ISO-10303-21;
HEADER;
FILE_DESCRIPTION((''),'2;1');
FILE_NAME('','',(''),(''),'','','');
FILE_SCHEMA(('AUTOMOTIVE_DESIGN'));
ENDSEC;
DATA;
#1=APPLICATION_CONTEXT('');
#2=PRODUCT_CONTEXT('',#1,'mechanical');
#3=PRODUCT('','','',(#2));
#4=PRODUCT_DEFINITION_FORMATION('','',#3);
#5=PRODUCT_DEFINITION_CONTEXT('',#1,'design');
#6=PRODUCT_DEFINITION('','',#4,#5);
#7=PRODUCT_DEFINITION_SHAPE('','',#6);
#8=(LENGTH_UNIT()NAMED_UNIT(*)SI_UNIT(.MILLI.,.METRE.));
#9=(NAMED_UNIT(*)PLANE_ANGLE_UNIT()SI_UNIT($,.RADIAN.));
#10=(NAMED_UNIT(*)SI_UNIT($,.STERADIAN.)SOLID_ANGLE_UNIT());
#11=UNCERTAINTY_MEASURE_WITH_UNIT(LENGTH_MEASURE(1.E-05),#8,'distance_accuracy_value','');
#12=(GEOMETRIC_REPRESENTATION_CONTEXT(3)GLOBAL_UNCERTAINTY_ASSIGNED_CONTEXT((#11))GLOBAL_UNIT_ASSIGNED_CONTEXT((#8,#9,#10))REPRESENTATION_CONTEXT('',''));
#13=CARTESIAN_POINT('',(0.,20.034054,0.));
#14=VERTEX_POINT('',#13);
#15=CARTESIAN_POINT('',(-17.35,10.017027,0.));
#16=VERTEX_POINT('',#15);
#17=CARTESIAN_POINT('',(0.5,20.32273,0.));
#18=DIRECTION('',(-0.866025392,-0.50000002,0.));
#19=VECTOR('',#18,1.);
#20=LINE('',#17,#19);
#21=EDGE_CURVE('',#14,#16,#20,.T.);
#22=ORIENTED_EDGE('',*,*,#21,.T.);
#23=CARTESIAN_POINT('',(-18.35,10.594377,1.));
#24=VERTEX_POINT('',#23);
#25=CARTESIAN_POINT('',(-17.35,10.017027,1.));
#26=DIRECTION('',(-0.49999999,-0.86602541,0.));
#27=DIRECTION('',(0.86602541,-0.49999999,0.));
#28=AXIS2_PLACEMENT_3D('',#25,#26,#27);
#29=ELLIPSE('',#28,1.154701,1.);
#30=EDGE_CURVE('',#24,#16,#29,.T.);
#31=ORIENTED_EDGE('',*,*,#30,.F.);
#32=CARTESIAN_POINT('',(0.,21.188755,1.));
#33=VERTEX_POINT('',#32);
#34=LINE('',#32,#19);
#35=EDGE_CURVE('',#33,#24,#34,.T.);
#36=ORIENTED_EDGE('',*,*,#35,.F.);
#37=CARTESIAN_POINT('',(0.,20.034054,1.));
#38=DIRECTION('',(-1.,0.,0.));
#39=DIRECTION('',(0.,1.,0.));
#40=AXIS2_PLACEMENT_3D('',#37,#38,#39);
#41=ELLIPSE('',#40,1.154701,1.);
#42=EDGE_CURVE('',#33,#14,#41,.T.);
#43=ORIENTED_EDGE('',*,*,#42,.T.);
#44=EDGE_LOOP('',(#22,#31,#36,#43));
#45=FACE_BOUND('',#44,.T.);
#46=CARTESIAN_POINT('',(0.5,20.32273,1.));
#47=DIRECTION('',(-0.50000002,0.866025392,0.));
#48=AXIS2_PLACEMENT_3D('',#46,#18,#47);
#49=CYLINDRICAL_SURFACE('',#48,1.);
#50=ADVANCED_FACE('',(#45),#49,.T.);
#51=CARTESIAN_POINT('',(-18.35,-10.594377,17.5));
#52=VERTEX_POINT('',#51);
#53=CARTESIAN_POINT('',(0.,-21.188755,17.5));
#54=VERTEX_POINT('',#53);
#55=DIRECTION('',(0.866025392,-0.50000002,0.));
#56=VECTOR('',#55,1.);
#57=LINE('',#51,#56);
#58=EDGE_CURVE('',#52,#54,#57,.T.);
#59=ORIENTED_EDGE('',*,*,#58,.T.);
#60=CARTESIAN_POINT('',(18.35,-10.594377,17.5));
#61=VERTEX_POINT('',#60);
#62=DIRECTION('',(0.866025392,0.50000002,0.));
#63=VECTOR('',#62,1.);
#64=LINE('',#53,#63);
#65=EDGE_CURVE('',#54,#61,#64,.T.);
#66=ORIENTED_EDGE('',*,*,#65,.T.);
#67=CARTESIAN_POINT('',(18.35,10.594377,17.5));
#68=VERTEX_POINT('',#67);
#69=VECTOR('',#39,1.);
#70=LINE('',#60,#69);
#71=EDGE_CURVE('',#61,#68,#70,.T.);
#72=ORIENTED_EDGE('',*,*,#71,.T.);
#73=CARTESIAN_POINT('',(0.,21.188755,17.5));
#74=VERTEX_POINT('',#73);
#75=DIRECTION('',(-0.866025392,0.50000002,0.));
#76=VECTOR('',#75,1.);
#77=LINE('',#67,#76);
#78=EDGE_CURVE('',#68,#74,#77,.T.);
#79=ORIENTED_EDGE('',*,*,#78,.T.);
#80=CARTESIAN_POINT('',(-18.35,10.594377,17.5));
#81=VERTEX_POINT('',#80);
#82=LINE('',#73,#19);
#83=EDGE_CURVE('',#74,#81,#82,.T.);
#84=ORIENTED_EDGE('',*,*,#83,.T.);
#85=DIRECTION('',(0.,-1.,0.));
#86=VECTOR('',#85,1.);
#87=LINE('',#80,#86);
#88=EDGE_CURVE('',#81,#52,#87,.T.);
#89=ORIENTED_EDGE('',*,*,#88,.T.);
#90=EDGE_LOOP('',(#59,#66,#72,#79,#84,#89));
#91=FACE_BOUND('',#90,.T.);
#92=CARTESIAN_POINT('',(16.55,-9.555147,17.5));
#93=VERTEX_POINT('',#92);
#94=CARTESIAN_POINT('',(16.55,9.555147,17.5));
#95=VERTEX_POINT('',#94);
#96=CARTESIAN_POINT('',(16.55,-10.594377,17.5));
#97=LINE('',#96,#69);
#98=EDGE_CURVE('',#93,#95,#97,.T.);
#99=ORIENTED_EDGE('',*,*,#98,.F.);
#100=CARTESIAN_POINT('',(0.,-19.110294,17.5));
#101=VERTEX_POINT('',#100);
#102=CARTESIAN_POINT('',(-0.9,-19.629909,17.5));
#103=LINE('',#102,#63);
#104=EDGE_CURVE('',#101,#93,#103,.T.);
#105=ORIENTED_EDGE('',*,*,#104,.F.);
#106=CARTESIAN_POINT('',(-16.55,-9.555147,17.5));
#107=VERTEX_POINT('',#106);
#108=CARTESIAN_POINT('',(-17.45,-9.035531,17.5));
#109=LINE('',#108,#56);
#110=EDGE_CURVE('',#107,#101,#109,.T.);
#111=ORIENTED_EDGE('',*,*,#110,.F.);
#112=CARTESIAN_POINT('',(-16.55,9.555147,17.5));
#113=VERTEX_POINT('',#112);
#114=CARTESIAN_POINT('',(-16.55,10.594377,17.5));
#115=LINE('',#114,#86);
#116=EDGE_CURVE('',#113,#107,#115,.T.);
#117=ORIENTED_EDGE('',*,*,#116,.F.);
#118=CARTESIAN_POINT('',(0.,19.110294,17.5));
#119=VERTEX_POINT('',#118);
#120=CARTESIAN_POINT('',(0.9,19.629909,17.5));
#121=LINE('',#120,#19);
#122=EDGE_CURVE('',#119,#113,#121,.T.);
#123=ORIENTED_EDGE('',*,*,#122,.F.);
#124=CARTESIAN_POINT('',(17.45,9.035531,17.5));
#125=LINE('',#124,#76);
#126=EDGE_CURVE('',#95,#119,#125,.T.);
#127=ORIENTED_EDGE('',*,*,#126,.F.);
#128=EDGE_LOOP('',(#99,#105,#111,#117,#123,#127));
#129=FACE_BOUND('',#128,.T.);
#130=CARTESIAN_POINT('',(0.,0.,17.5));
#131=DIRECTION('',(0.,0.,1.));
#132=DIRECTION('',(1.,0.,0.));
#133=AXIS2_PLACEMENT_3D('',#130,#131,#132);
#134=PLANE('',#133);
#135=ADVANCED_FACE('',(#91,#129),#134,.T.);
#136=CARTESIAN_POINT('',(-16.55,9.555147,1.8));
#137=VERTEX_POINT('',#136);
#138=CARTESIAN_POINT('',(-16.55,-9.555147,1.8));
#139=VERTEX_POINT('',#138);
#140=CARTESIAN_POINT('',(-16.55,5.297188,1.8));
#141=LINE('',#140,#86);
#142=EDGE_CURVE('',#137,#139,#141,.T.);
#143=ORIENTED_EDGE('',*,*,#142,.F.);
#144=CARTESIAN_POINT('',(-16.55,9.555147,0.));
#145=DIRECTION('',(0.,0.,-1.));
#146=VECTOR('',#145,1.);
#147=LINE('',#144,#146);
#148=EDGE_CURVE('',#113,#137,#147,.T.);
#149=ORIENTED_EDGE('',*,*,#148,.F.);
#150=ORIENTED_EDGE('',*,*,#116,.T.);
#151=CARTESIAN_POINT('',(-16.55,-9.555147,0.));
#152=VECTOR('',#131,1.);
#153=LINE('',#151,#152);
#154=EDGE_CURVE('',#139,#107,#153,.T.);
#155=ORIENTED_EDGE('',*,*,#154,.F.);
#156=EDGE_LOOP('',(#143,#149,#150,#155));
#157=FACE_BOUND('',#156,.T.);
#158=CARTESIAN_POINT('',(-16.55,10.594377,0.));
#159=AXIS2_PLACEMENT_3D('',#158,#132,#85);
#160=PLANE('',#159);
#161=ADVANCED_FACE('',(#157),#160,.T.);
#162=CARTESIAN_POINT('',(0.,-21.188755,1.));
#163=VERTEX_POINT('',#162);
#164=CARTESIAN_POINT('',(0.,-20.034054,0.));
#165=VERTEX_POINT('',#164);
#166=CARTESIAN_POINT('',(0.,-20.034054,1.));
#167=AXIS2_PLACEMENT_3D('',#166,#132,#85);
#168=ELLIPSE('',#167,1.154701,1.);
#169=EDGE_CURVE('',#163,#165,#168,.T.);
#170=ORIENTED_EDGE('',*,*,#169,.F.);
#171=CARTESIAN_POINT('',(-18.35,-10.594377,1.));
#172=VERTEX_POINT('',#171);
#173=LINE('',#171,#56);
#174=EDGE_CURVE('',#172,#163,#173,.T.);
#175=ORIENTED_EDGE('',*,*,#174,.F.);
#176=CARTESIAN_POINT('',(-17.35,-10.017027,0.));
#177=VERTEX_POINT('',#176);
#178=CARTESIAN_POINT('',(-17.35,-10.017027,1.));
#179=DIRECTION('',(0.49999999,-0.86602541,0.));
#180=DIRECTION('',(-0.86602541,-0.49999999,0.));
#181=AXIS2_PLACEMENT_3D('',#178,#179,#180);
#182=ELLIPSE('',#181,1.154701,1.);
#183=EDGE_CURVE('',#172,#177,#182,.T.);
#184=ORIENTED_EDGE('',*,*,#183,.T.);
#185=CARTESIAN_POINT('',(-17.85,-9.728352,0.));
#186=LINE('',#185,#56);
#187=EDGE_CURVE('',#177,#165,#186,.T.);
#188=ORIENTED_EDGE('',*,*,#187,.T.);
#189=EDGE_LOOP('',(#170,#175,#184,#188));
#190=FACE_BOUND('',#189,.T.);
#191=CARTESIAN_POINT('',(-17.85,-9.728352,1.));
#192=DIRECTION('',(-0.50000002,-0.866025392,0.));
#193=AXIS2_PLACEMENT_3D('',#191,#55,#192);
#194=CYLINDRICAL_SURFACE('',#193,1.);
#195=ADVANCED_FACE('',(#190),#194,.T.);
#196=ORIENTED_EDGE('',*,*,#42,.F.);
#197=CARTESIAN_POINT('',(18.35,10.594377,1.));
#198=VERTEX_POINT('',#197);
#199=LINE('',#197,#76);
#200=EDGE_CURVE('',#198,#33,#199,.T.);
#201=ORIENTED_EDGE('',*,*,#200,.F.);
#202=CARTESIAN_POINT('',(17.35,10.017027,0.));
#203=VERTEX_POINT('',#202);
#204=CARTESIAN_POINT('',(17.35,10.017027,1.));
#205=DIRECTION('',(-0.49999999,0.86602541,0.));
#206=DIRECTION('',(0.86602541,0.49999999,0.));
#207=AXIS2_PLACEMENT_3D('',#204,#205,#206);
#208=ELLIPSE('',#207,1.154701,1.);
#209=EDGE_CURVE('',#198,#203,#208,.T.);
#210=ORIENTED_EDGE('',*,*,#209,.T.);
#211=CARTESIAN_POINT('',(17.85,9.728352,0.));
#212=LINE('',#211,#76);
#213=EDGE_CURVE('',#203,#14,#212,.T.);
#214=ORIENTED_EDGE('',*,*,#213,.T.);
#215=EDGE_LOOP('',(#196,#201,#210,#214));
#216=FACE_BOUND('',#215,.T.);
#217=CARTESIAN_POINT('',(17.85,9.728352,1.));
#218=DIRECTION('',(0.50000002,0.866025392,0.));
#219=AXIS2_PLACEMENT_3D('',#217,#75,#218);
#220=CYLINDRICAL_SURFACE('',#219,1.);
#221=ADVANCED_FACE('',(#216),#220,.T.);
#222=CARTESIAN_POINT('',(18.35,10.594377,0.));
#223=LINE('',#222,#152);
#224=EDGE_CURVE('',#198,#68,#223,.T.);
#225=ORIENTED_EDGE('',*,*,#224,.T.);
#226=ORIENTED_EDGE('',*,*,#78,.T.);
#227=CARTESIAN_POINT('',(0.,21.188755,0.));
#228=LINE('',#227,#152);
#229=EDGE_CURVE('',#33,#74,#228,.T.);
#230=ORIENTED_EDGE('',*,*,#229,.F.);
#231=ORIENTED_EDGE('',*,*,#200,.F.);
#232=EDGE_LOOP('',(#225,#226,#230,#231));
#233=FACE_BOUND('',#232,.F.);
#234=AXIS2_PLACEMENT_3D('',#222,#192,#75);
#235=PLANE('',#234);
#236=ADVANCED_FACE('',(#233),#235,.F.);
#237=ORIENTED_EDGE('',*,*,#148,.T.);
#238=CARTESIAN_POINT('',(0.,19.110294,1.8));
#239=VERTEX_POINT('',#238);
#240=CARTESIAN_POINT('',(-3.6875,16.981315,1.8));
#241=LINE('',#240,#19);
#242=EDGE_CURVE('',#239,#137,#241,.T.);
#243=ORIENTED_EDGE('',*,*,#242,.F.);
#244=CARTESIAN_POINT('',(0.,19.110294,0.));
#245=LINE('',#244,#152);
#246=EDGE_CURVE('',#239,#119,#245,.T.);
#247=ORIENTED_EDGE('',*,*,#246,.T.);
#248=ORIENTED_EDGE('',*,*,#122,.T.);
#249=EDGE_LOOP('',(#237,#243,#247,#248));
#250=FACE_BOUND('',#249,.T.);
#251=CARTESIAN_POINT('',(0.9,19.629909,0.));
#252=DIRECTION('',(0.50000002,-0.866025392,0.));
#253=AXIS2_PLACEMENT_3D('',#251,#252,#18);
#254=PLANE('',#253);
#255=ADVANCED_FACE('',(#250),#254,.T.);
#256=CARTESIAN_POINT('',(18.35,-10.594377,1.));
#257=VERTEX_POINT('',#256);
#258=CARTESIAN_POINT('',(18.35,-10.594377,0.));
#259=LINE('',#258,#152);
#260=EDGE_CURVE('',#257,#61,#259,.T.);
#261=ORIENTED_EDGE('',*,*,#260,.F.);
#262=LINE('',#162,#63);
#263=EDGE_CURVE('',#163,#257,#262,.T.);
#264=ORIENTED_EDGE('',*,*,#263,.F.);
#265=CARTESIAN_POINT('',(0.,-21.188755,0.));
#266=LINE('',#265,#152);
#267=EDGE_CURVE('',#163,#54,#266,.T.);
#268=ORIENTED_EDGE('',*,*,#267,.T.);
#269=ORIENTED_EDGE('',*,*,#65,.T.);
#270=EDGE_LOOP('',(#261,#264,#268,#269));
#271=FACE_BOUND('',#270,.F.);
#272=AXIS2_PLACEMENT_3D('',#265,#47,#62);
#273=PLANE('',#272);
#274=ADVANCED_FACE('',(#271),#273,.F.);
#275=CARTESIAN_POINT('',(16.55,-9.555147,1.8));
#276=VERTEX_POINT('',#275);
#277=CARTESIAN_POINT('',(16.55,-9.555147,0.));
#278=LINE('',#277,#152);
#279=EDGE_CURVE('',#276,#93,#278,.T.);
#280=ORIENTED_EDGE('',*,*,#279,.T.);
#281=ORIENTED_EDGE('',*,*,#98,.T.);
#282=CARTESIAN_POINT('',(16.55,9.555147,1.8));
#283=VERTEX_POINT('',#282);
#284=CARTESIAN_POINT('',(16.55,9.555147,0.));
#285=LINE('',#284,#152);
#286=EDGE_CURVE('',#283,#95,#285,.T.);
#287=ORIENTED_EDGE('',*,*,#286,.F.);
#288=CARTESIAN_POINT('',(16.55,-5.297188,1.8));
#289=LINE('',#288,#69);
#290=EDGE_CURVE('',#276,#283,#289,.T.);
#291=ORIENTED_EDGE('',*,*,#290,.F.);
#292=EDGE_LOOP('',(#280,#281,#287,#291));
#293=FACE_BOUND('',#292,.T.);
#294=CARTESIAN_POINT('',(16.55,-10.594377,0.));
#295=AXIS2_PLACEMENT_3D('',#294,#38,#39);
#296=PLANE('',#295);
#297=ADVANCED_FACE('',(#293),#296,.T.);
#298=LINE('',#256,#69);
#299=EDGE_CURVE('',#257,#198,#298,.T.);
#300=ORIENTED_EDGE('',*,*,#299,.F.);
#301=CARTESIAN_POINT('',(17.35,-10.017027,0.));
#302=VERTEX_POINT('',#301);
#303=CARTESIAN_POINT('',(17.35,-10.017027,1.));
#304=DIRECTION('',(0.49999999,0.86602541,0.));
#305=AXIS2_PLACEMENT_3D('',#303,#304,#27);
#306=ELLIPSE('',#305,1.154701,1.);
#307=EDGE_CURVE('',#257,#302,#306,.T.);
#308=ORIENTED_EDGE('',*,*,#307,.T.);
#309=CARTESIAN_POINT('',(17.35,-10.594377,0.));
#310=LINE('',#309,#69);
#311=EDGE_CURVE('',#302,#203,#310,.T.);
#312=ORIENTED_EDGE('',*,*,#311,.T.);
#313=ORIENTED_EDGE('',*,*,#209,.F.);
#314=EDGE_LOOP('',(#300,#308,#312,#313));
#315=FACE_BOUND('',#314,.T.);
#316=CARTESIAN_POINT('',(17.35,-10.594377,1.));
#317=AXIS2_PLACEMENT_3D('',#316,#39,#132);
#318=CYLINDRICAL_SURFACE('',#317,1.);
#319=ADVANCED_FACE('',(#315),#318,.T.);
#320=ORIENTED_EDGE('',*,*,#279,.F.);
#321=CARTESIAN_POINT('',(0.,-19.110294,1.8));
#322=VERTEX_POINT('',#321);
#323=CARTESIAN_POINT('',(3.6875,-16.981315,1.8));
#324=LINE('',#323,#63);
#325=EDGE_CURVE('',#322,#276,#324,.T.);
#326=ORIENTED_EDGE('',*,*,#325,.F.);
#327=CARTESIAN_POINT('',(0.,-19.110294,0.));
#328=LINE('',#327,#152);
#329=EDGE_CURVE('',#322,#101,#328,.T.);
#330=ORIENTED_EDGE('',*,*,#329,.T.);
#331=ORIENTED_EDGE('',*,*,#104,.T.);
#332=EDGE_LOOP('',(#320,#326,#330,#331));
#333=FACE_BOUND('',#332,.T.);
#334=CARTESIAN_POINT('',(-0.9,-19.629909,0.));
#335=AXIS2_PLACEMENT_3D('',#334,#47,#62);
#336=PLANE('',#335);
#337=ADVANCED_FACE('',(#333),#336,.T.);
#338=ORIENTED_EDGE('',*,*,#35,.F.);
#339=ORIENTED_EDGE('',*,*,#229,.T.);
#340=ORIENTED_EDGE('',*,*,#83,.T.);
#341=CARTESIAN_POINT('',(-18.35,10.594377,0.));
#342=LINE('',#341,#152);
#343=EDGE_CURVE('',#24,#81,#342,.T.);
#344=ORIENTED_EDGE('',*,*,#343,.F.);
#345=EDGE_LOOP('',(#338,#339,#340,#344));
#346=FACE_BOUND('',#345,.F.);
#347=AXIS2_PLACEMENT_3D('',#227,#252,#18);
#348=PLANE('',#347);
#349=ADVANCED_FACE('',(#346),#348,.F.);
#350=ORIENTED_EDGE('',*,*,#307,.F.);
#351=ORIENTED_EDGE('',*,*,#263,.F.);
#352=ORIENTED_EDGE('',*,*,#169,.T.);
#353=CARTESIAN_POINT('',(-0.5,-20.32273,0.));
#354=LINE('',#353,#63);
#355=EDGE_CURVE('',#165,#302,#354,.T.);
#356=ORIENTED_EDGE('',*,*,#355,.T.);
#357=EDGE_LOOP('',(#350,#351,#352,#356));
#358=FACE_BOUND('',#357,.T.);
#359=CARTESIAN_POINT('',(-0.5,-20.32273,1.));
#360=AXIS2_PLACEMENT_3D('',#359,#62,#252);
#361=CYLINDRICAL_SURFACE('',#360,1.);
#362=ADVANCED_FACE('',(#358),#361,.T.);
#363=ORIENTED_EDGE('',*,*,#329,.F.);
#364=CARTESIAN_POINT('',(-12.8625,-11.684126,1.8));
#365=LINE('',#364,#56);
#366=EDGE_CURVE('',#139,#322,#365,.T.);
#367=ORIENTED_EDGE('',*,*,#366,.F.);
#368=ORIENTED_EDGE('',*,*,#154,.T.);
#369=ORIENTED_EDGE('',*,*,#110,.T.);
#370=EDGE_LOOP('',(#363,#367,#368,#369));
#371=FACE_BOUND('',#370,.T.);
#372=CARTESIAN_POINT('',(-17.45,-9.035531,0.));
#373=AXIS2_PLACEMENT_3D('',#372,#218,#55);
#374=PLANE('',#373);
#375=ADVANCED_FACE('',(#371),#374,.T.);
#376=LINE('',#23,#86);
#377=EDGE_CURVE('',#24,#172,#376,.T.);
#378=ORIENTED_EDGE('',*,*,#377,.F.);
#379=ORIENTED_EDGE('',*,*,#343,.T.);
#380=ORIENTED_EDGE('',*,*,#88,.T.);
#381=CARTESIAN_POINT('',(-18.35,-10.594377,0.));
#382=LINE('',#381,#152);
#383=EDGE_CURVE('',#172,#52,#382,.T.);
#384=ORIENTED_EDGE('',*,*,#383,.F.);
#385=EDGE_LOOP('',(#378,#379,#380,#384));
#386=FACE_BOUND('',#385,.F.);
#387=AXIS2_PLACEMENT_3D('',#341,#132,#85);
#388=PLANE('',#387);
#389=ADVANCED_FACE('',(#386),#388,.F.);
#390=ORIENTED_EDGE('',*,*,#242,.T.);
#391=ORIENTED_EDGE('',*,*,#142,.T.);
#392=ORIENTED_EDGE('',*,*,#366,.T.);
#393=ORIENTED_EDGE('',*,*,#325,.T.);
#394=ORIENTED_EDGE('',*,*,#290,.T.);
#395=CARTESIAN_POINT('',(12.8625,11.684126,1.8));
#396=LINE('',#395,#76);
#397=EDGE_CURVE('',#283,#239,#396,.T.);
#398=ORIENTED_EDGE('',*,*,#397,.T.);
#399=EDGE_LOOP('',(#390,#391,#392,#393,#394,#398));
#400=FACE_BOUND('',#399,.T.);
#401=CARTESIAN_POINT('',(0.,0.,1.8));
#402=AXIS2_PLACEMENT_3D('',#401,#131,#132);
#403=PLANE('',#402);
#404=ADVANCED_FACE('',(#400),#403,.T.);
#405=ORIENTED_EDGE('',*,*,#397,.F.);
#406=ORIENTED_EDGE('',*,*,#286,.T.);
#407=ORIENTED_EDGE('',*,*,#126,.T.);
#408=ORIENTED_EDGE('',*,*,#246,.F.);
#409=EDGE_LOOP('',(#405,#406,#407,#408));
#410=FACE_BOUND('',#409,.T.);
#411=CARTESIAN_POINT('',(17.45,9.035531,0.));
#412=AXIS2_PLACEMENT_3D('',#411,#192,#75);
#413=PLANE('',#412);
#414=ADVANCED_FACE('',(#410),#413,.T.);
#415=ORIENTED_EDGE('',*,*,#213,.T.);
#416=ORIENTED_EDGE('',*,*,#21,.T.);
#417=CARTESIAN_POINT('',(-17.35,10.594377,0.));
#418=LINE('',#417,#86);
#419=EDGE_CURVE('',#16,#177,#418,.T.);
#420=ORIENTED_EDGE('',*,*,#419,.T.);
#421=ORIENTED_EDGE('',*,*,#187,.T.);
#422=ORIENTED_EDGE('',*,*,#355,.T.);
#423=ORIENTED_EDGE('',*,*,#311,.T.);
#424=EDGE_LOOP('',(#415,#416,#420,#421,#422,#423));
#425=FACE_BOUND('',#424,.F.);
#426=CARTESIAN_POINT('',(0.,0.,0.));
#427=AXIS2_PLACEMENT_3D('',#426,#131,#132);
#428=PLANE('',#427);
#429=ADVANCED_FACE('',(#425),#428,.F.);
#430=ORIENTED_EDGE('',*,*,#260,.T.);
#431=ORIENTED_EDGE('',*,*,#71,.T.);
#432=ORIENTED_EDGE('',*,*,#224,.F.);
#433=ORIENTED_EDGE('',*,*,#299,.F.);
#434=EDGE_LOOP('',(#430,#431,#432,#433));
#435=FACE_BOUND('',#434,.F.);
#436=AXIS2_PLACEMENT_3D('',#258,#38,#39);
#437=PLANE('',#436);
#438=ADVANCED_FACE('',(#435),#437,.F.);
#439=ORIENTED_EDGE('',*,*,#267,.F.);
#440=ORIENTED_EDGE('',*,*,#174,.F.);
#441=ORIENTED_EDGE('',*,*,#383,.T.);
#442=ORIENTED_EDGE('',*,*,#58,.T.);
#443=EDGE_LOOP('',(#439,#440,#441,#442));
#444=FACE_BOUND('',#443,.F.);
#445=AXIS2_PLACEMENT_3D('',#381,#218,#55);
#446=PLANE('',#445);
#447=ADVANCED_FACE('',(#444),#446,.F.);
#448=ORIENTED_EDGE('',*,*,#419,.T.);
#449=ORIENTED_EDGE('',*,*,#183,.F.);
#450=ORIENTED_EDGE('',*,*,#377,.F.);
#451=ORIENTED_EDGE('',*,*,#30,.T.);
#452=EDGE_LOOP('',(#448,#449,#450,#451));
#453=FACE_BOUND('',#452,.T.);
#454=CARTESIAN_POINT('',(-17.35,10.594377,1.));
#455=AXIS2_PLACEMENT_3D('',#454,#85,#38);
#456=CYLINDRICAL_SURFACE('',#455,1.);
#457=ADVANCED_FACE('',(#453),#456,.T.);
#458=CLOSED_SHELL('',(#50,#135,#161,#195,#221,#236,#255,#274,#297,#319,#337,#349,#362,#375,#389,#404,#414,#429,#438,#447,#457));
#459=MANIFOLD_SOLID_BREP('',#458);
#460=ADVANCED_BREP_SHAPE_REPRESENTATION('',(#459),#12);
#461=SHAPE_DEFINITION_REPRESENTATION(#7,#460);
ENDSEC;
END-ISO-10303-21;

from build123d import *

# Parameters (mm, degrees)
F1_DEPTH = 17.5
F2_T     = -1.8
F3_R     = 1


with BuildPart() as f1:
    # F0 (on Top) → F1 (new body)
    with BuildSketch(Plane.XY):
        Polygon((-18.35, 10.594377), (-18.35, -10.594377), (0, -21.188755), (18.35, -10.594377), (18.35, 10.594377), (0, 21.188755), align=None)
    extrude(amount=F1_DEPTH)

    # F2
    f2_openings = [f1.faces().sort_by_distance(p)[0] for p in [
        (0, 0, 17.5),
    ]]
    offset(amount=F2_T, openings=f2_openings)

    # F3
    f3_edges = [f1.edges().sort_by_distance(p)[0] for p in [
        (-18.35, 0, 0),
        (-9.175, -15.891566, 0),
        (9.175, -15.891566, 0),
        (18.35, 0, 0),
        (9.175, 15.891566, 0),
        (-9.175, 15.891566, 0),
    ]]
    fillet(f3_edges, radius=F3_R)


solid = f1.part
